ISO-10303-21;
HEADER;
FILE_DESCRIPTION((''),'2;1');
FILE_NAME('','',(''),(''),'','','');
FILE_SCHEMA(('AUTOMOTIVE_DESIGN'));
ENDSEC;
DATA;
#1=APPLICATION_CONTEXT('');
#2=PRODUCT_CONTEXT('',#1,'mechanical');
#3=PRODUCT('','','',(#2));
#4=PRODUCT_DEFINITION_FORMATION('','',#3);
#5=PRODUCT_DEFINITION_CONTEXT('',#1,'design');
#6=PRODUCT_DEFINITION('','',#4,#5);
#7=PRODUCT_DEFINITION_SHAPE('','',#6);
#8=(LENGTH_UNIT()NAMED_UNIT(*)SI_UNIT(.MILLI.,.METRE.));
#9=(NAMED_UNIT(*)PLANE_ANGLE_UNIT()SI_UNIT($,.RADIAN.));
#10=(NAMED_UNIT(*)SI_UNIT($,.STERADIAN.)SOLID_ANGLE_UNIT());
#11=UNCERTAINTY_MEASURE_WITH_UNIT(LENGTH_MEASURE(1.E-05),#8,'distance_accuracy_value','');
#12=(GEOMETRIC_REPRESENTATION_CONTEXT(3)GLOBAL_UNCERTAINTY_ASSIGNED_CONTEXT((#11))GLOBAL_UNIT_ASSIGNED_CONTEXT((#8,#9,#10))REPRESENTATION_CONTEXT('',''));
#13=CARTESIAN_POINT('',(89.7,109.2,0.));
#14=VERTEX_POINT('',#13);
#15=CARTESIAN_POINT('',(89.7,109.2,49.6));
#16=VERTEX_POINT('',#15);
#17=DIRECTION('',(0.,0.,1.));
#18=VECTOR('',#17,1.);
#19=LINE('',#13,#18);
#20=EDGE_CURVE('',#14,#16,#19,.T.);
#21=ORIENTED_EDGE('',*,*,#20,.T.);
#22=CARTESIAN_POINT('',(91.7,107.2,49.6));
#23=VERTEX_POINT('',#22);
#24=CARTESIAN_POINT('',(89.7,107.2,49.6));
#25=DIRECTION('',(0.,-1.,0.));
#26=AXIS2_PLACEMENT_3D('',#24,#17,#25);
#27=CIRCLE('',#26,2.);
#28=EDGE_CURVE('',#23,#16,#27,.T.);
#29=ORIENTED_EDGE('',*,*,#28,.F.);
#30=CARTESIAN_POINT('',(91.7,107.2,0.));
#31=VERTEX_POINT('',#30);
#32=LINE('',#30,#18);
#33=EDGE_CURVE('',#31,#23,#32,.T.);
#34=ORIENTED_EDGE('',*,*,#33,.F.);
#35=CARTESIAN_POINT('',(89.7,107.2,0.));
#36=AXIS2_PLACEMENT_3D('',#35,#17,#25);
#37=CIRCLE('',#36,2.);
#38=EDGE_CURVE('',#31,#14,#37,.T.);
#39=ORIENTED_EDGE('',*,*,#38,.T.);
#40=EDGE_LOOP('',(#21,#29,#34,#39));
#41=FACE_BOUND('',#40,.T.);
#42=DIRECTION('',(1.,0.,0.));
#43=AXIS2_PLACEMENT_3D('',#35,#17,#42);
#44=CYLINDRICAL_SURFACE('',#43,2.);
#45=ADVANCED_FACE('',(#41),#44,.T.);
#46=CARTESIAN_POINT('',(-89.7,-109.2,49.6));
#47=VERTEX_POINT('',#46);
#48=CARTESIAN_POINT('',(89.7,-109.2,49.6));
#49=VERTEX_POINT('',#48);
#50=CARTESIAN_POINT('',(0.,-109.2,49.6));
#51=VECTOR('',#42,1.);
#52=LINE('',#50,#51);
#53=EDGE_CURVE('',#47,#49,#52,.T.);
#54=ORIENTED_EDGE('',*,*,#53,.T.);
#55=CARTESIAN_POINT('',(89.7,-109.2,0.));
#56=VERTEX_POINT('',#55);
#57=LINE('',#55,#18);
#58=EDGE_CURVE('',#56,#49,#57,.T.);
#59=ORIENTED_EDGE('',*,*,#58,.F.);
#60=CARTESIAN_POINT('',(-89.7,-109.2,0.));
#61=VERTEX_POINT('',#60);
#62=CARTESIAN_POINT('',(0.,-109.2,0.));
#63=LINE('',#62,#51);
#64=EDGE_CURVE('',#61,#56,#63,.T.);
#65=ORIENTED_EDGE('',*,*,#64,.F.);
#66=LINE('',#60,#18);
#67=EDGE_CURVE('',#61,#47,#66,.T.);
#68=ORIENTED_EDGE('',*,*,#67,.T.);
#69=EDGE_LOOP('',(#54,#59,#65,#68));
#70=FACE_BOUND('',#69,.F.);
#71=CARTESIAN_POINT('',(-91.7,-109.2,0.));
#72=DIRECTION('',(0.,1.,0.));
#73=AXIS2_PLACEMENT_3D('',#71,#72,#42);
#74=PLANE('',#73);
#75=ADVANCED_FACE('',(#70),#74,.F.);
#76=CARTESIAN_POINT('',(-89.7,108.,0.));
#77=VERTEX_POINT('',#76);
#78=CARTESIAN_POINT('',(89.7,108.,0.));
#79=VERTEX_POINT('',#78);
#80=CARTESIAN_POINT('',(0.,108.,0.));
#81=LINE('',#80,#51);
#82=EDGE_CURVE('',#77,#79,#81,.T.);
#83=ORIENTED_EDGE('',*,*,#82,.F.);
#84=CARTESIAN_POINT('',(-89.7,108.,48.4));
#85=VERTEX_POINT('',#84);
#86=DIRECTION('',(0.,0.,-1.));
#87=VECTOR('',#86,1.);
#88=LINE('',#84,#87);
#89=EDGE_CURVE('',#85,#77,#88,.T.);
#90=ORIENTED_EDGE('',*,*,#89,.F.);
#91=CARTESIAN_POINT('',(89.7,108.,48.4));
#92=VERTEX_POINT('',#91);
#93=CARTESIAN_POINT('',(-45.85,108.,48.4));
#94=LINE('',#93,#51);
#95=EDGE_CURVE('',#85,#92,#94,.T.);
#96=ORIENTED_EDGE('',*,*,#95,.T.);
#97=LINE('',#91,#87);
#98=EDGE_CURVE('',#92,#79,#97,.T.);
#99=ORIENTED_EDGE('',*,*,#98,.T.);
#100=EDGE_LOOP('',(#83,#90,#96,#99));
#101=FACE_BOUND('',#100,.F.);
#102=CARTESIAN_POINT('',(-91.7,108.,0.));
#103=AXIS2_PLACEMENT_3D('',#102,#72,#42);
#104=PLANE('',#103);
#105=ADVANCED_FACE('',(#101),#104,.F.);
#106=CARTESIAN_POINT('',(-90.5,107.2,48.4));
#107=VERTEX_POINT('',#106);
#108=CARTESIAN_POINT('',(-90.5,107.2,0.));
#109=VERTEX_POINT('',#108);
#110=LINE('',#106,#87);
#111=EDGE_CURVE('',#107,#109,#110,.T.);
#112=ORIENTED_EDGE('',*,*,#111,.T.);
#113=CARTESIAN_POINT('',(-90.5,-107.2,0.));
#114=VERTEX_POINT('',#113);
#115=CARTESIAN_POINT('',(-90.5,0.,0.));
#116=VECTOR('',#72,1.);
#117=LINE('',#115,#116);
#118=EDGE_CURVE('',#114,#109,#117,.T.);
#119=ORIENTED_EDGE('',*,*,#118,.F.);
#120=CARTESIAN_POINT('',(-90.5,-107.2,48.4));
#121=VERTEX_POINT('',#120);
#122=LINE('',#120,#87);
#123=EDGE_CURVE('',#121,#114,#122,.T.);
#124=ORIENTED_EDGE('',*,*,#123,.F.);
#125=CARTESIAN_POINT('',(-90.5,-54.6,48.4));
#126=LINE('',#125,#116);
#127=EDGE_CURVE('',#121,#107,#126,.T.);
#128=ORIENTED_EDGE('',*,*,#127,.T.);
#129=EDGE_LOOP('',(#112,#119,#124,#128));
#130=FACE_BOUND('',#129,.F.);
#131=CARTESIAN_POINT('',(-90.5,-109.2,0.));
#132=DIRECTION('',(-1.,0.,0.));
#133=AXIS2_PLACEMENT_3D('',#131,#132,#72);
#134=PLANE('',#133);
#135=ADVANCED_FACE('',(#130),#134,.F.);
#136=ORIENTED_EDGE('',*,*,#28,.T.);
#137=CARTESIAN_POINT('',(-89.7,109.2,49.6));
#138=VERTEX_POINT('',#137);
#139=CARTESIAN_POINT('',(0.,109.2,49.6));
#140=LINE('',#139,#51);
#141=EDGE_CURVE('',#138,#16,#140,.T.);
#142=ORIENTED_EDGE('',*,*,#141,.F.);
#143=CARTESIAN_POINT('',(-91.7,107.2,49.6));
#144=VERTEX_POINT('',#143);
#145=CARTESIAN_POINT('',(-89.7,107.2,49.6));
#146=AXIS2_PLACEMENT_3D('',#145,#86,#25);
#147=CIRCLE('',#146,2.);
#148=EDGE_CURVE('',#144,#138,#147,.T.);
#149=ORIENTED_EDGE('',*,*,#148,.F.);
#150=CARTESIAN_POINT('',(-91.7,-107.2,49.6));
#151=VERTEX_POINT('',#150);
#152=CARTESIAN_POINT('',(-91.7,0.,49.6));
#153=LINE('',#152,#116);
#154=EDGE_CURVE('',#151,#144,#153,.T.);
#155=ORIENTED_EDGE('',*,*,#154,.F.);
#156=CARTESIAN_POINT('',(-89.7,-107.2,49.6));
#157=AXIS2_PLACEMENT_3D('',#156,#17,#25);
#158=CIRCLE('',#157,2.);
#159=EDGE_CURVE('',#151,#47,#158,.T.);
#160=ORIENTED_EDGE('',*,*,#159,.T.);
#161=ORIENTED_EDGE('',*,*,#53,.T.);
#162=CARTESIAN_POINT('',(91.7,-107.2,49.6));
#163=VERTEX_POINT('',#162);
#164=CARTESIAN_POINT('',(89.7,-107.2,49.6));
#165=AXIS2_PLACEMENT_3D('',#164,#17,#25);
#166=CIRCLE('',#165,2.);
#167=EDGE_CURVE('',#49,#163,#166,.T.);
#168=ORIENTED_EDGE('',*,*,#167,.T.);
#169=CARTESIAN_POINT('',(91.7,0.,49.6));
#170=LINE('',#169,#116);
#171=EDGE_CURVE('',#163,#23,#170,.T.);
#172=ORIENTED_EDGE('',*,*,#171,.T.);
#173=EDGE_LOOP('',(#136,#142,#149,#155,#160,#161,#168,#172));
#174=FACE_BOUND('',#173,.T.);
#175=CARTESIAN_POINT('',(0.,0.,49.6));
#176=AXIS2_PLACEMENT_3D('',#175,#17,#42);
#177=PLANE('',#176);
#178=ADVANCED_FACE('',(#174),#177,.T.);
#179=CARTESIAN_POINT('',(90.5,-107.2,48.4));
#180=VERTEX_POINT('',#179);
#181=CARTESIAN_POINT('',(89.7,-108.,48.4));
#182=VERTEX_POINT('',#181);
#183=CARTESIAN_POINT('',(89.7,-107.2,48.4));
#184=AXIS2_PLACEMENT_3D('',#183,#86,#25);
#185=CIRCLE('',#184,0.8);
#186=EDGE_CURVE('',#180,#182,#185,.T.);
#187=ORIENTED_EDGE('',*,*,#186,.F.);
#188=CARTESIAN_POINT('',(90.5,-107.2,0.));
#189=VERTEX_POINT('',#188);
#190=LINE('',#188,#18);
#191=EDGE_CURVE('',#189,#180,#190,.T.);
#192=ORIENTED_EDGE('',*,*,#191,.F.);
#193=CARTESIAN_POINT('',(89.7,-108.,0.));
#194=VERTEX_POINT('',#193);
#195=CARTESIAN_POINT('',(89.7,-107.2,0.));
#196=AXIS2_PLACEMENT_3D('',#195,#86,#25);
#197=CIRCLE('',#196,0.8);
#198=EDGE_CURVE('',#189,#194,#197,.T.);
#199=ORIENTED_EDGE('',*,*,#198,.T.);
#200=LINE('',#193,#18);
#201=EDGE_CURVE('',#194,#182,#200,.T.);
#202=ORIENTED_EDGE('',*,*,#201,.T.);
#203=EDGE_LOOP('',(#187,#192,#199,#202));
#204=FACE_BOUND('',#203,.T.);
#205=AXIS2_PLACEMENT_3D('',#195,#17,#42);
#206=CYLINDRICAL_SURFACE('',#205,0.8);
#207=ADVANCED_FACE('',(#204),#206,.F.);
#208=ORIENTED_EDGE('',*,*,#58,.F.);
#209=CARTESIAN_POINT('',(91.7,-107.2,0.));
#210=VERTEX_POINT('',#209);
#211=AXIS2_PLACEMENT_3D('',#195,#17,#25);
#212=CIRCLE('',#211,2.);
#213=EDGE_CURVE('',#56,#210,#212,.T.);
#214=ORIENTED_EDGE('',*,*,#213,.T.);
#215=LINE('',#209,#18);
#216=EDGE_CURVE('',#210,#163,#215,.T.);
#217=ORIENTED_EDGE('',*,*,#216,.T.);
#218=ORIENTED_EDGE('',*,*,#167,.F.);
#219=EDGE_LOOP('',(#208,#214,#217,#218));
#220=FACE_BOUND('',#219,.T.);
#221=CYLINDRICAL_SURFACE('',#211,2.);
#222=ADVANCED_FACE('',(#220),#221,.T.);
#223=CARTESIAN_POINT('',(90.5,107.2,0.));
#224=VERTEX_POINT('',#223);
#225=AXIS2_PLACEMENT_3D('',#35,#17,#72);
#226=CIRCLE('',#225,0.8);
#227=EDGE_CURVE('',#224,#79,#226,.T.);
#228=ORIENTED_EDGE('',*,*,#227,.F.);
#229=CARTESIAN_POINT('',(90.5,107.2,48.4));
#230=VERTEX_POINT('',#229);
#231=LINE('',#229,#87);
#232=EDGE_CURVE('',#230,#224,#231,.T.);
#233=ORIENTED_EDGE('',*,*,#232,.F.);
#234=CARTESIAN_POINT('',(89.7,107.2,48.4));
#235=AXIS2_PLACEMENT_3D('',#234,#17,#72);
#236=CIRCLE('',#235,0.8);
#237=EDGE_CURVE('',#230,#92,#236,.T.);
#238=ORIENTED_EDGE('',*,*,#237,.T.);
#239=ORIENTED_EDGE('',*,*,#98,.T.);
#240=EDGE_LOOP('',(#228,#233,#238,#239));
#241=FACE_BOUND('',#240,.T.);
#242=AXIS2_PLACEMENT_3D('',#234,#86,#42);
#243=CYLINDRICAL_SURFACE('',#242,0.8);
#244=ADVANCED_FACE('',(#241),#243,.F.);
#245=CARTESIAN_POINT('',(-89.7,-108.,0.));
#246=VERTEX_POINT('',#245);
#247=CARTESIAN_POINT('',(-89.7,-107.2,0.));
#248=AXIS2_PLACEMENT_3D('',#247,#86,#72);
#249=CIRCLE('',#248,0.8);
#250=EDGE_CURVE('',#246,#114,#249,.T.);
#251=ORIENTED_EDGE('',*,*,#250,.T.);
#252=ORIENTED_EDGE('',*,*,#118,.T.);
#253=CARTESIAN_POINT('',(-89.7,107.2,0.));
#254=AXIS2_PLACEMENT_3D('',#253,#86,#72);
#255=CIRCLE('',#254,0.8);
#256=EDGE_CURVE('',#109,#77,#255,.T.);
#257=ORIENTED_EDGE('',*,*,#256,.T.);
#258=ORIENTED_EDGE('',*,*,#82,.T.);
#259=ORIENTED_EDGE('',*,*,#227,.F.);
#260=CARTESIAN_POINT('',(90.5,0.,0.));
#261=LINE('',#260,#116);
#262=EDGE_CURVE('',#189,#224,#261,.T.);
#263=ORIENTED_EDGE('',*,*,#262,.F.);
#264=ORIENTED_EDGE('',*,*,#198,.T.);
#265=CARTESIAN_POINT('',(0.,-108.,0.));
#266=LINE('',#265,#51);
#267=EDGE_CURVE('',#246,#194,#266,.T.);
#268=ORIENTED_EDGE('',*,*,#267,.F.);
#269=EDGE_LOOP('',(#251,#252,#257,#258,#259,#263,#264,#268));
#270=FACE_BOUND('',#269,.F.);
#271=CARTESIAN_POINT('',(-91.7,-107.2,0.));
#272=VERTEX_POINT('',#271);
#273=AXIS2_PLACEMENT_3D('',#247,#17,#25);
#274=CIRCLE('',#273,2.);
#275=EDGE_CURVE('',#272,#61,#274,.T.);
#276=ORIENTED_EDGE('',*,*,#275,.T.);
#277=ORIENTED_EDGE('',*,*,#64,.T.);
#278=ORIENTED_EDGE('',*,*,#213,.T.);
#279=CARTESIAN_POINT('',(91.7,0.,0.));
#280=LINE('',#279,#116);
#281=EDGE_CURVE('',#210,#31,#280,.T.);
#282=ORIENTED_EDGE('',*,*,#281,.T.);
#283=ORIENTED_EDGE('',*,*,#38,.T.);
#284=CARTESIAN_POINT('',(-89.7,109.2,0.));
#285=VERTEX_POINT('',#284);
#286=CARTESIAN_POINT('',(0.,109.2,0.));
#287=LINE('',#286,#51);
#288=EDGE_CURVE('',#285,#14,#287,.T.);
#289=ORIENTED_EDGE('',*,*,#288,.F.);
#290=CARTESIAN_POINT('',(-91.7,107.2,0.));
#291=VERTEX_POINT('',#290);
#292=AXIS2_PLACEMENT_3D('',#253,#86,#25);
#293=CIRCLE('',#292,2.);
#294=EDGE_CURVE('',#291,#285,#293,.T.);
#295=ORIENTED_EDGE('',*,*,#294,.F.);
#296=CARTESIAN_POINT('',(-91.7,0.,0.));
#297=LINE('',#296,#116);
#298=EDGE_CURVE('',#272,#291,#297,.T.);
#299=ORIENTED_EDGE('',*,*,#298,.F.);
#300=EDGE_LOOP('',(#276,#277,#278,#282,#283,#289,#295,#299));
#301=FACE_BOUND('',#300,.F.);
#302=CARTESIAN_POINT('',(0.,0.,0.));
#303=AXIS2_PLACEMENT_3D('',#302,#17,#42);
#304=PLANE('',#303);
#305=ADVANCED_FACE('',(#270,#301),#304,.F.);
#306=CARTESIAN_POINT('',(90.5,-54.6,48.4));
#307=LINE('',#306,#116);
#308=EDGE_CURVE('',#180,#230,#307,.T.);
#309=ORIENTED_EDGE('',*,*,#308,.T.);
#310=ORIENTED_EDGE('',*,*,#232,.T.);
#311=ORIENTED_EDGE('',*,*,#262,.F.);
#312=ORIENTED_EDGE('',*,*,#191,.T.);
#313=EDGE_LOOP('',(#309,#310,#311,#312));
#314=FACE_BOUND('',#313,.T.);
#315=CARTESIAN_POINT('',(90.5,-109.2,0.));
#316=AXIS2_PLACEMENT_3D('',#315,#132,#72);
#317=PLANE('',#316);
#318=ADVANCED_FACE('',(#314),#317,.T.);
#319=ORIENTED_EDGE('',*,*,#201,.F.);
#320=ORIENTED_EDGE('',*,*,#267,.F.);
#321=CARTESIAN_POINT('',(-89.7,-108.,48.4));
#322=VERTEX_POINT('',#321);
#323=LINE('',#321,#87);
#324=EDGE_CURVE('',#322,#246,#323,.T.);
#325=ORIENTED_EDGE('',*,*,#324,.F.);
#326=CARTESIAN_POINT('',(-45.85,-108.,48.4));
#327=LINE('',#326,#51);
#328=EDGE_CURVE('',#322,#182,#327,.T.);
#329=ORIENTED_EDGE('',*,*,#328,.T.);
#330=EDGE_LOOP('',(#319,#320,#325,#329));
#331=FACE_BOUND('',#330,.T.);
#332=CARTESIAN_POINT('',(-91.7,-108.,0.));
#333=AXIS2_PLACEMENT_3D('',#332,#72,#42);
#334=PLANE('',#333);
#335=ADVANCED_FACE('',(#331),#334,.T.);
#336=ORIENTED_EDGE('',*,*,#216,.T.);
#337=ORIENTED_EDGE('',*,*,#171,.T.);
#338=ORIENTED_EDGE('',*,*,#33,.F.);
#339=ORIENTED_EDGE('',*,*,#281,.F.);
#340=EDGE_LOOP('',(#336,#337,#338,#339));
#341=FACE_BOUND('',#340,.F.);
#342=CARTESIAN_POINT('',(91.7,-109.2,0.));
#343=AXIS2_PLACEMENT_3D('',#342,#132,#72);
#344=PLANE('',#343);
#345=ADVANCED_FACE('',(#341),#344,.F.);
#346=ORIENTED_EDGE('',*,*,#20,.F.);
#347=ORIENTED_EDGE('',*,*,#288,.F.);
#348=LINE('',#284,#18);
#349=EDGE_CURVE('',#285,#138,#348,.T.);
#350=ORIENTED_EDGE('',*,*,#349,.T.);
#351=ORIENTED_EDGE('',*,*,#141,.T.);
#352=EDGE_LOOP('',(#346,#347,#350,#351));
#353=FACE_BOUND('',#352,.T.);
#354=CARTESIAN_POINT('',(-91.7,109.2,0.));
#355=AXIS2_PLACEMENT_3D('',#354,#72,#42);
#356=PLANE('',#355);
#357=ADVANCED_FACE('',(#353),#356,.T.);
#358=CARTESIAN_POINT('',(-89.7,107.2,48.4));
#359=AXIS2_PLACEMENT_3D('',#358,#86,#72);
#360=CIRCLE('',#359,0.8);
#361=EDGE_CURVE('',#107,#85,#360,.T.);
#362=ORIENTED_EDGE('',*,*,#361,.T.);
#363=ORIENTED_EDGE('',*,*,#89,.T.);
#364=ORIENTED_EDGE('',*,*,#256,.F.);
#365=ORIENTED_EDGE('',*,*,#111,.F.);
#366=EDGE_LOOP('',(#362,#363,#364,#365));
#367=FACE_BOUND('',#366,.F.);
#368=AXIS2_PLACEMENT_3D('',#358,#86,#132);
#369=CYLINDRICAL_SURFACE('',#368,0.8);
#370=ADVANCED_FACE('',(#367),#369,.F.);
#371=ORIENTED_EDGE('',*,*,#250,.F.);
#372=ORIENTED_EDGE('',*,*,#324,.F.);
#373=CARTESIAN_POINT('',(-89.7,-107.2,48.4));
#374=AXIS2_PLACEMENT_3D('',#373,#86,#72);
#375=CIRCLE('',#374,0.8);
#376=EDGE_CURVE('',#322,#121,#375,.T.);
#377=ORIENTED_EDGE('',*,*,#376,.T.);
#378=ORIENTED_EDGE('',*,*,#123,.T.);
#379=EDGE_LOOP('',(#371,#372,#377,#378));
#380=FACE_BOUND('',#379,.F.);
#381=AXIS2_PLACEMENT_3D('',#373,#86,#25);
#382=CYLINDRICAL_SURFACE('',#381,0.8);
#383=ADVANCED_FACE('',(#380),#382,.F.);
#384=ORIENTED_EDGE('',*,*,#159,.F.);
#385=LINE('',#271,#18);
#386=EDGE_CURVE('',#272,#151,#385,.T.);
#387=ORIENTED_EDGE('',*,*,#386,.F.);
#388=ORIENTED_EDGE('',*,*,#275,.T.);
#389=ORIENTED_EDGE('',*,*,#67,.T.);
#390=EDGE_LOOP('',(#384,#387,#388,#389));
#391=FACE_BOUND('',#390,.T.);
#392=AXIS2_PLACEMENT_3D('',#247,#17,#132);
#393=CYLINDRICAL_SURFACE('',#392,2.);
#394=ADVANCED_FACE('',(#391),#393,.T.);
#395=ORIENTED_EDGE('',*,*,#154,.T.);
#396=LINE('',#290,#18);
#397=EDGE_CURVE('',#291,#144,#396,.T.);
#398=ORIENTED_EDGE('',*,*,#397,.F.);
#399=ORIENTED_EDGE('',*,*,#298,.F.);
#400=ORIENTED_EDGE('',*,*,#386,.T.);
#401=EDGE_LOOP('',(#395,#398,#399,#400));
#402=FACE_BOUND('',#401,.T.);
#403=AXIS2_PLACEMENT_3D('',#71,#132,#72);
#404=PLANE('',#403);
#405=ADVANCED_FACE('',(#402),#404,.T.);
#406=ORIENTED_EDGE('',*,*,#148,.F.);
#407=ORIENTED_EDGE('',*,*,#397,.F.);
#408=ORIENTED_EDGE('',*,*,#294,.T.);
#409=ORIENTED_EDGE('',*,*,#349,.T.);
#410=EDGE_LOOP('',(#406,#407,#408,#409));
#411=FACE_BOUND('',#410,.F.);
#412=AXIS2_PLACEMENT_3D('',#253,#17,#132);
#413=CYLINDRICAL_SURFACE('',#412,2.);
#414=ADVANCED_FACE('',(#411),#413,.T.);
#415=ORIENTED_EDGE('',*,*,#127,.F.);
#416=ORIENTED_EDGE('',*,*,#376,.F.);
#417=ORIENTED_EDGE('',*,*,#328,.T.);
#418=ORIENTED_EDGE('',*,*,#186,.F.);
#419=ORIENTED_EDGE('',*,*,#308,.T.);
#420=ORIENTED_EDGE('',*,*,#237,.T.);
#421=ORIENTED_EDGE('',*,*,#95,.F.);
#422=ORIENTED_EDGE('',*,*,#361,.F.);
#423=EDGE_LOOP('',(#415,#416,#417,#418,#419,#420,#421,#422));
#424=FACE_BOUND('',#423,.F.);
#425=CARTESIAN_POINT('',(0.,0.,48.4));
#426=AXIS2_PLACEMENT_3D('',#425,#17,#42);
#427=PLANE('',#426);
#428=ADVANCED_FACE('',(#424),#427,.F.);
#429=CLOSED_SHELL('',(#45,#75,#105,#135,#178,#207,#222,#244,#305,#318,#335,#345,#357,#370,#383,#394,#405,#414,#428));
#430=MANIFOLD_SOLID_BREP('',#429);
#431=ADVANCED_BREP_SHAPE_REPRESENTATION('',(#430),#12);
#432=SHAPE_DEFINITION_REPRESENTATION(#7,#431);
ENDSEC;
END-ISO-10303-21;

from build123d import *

# Parameters (mm, degrees)
F0_W     = 183.4
F0_H     = 218.4
F1_DEPTH = 49.6
F2_T     = -1.2
F3_R     = 2
F4_R     = 0.8


with BuildPart() as f1:
    # F0 (on Top) → F1 (new body)
    with BuildSketch(Plane.XY):
        Rectangle(F0_W, F0_H)
    extrude(amount=F1_DEPTH)

    # F2
    f2_openings = [f1.faces().sort_by_distance(p)[0] for p in [
        (0, 0, 0),
    ]]
    offset(amount=F2_T, openings=f2_openings)

    # F3
    f3_edges = [f1.edges().sort_by_distance(p)[0] for p in [
        (-91.7, -109.2, 24.8),
        (-91.7, 109.2, 24.8),
        (91.7, 109.2, 24.8),
        (91.7, -109.2, 24.8),
    ]]
    fillet(f3_edges, radius=F3_R)

    # F4
    f4_edges = [f1.edges().sort_by_distance(p)[0] for p in [
        (-90.5, -108, 24.2),
        (90.5, -108, 24.2),
        (90.5, 108, 24.2),
        (-90.5, 108, 24.2),
    ]]
    fillet(f4_edges, radius=F4_R)


solid = f1.part
